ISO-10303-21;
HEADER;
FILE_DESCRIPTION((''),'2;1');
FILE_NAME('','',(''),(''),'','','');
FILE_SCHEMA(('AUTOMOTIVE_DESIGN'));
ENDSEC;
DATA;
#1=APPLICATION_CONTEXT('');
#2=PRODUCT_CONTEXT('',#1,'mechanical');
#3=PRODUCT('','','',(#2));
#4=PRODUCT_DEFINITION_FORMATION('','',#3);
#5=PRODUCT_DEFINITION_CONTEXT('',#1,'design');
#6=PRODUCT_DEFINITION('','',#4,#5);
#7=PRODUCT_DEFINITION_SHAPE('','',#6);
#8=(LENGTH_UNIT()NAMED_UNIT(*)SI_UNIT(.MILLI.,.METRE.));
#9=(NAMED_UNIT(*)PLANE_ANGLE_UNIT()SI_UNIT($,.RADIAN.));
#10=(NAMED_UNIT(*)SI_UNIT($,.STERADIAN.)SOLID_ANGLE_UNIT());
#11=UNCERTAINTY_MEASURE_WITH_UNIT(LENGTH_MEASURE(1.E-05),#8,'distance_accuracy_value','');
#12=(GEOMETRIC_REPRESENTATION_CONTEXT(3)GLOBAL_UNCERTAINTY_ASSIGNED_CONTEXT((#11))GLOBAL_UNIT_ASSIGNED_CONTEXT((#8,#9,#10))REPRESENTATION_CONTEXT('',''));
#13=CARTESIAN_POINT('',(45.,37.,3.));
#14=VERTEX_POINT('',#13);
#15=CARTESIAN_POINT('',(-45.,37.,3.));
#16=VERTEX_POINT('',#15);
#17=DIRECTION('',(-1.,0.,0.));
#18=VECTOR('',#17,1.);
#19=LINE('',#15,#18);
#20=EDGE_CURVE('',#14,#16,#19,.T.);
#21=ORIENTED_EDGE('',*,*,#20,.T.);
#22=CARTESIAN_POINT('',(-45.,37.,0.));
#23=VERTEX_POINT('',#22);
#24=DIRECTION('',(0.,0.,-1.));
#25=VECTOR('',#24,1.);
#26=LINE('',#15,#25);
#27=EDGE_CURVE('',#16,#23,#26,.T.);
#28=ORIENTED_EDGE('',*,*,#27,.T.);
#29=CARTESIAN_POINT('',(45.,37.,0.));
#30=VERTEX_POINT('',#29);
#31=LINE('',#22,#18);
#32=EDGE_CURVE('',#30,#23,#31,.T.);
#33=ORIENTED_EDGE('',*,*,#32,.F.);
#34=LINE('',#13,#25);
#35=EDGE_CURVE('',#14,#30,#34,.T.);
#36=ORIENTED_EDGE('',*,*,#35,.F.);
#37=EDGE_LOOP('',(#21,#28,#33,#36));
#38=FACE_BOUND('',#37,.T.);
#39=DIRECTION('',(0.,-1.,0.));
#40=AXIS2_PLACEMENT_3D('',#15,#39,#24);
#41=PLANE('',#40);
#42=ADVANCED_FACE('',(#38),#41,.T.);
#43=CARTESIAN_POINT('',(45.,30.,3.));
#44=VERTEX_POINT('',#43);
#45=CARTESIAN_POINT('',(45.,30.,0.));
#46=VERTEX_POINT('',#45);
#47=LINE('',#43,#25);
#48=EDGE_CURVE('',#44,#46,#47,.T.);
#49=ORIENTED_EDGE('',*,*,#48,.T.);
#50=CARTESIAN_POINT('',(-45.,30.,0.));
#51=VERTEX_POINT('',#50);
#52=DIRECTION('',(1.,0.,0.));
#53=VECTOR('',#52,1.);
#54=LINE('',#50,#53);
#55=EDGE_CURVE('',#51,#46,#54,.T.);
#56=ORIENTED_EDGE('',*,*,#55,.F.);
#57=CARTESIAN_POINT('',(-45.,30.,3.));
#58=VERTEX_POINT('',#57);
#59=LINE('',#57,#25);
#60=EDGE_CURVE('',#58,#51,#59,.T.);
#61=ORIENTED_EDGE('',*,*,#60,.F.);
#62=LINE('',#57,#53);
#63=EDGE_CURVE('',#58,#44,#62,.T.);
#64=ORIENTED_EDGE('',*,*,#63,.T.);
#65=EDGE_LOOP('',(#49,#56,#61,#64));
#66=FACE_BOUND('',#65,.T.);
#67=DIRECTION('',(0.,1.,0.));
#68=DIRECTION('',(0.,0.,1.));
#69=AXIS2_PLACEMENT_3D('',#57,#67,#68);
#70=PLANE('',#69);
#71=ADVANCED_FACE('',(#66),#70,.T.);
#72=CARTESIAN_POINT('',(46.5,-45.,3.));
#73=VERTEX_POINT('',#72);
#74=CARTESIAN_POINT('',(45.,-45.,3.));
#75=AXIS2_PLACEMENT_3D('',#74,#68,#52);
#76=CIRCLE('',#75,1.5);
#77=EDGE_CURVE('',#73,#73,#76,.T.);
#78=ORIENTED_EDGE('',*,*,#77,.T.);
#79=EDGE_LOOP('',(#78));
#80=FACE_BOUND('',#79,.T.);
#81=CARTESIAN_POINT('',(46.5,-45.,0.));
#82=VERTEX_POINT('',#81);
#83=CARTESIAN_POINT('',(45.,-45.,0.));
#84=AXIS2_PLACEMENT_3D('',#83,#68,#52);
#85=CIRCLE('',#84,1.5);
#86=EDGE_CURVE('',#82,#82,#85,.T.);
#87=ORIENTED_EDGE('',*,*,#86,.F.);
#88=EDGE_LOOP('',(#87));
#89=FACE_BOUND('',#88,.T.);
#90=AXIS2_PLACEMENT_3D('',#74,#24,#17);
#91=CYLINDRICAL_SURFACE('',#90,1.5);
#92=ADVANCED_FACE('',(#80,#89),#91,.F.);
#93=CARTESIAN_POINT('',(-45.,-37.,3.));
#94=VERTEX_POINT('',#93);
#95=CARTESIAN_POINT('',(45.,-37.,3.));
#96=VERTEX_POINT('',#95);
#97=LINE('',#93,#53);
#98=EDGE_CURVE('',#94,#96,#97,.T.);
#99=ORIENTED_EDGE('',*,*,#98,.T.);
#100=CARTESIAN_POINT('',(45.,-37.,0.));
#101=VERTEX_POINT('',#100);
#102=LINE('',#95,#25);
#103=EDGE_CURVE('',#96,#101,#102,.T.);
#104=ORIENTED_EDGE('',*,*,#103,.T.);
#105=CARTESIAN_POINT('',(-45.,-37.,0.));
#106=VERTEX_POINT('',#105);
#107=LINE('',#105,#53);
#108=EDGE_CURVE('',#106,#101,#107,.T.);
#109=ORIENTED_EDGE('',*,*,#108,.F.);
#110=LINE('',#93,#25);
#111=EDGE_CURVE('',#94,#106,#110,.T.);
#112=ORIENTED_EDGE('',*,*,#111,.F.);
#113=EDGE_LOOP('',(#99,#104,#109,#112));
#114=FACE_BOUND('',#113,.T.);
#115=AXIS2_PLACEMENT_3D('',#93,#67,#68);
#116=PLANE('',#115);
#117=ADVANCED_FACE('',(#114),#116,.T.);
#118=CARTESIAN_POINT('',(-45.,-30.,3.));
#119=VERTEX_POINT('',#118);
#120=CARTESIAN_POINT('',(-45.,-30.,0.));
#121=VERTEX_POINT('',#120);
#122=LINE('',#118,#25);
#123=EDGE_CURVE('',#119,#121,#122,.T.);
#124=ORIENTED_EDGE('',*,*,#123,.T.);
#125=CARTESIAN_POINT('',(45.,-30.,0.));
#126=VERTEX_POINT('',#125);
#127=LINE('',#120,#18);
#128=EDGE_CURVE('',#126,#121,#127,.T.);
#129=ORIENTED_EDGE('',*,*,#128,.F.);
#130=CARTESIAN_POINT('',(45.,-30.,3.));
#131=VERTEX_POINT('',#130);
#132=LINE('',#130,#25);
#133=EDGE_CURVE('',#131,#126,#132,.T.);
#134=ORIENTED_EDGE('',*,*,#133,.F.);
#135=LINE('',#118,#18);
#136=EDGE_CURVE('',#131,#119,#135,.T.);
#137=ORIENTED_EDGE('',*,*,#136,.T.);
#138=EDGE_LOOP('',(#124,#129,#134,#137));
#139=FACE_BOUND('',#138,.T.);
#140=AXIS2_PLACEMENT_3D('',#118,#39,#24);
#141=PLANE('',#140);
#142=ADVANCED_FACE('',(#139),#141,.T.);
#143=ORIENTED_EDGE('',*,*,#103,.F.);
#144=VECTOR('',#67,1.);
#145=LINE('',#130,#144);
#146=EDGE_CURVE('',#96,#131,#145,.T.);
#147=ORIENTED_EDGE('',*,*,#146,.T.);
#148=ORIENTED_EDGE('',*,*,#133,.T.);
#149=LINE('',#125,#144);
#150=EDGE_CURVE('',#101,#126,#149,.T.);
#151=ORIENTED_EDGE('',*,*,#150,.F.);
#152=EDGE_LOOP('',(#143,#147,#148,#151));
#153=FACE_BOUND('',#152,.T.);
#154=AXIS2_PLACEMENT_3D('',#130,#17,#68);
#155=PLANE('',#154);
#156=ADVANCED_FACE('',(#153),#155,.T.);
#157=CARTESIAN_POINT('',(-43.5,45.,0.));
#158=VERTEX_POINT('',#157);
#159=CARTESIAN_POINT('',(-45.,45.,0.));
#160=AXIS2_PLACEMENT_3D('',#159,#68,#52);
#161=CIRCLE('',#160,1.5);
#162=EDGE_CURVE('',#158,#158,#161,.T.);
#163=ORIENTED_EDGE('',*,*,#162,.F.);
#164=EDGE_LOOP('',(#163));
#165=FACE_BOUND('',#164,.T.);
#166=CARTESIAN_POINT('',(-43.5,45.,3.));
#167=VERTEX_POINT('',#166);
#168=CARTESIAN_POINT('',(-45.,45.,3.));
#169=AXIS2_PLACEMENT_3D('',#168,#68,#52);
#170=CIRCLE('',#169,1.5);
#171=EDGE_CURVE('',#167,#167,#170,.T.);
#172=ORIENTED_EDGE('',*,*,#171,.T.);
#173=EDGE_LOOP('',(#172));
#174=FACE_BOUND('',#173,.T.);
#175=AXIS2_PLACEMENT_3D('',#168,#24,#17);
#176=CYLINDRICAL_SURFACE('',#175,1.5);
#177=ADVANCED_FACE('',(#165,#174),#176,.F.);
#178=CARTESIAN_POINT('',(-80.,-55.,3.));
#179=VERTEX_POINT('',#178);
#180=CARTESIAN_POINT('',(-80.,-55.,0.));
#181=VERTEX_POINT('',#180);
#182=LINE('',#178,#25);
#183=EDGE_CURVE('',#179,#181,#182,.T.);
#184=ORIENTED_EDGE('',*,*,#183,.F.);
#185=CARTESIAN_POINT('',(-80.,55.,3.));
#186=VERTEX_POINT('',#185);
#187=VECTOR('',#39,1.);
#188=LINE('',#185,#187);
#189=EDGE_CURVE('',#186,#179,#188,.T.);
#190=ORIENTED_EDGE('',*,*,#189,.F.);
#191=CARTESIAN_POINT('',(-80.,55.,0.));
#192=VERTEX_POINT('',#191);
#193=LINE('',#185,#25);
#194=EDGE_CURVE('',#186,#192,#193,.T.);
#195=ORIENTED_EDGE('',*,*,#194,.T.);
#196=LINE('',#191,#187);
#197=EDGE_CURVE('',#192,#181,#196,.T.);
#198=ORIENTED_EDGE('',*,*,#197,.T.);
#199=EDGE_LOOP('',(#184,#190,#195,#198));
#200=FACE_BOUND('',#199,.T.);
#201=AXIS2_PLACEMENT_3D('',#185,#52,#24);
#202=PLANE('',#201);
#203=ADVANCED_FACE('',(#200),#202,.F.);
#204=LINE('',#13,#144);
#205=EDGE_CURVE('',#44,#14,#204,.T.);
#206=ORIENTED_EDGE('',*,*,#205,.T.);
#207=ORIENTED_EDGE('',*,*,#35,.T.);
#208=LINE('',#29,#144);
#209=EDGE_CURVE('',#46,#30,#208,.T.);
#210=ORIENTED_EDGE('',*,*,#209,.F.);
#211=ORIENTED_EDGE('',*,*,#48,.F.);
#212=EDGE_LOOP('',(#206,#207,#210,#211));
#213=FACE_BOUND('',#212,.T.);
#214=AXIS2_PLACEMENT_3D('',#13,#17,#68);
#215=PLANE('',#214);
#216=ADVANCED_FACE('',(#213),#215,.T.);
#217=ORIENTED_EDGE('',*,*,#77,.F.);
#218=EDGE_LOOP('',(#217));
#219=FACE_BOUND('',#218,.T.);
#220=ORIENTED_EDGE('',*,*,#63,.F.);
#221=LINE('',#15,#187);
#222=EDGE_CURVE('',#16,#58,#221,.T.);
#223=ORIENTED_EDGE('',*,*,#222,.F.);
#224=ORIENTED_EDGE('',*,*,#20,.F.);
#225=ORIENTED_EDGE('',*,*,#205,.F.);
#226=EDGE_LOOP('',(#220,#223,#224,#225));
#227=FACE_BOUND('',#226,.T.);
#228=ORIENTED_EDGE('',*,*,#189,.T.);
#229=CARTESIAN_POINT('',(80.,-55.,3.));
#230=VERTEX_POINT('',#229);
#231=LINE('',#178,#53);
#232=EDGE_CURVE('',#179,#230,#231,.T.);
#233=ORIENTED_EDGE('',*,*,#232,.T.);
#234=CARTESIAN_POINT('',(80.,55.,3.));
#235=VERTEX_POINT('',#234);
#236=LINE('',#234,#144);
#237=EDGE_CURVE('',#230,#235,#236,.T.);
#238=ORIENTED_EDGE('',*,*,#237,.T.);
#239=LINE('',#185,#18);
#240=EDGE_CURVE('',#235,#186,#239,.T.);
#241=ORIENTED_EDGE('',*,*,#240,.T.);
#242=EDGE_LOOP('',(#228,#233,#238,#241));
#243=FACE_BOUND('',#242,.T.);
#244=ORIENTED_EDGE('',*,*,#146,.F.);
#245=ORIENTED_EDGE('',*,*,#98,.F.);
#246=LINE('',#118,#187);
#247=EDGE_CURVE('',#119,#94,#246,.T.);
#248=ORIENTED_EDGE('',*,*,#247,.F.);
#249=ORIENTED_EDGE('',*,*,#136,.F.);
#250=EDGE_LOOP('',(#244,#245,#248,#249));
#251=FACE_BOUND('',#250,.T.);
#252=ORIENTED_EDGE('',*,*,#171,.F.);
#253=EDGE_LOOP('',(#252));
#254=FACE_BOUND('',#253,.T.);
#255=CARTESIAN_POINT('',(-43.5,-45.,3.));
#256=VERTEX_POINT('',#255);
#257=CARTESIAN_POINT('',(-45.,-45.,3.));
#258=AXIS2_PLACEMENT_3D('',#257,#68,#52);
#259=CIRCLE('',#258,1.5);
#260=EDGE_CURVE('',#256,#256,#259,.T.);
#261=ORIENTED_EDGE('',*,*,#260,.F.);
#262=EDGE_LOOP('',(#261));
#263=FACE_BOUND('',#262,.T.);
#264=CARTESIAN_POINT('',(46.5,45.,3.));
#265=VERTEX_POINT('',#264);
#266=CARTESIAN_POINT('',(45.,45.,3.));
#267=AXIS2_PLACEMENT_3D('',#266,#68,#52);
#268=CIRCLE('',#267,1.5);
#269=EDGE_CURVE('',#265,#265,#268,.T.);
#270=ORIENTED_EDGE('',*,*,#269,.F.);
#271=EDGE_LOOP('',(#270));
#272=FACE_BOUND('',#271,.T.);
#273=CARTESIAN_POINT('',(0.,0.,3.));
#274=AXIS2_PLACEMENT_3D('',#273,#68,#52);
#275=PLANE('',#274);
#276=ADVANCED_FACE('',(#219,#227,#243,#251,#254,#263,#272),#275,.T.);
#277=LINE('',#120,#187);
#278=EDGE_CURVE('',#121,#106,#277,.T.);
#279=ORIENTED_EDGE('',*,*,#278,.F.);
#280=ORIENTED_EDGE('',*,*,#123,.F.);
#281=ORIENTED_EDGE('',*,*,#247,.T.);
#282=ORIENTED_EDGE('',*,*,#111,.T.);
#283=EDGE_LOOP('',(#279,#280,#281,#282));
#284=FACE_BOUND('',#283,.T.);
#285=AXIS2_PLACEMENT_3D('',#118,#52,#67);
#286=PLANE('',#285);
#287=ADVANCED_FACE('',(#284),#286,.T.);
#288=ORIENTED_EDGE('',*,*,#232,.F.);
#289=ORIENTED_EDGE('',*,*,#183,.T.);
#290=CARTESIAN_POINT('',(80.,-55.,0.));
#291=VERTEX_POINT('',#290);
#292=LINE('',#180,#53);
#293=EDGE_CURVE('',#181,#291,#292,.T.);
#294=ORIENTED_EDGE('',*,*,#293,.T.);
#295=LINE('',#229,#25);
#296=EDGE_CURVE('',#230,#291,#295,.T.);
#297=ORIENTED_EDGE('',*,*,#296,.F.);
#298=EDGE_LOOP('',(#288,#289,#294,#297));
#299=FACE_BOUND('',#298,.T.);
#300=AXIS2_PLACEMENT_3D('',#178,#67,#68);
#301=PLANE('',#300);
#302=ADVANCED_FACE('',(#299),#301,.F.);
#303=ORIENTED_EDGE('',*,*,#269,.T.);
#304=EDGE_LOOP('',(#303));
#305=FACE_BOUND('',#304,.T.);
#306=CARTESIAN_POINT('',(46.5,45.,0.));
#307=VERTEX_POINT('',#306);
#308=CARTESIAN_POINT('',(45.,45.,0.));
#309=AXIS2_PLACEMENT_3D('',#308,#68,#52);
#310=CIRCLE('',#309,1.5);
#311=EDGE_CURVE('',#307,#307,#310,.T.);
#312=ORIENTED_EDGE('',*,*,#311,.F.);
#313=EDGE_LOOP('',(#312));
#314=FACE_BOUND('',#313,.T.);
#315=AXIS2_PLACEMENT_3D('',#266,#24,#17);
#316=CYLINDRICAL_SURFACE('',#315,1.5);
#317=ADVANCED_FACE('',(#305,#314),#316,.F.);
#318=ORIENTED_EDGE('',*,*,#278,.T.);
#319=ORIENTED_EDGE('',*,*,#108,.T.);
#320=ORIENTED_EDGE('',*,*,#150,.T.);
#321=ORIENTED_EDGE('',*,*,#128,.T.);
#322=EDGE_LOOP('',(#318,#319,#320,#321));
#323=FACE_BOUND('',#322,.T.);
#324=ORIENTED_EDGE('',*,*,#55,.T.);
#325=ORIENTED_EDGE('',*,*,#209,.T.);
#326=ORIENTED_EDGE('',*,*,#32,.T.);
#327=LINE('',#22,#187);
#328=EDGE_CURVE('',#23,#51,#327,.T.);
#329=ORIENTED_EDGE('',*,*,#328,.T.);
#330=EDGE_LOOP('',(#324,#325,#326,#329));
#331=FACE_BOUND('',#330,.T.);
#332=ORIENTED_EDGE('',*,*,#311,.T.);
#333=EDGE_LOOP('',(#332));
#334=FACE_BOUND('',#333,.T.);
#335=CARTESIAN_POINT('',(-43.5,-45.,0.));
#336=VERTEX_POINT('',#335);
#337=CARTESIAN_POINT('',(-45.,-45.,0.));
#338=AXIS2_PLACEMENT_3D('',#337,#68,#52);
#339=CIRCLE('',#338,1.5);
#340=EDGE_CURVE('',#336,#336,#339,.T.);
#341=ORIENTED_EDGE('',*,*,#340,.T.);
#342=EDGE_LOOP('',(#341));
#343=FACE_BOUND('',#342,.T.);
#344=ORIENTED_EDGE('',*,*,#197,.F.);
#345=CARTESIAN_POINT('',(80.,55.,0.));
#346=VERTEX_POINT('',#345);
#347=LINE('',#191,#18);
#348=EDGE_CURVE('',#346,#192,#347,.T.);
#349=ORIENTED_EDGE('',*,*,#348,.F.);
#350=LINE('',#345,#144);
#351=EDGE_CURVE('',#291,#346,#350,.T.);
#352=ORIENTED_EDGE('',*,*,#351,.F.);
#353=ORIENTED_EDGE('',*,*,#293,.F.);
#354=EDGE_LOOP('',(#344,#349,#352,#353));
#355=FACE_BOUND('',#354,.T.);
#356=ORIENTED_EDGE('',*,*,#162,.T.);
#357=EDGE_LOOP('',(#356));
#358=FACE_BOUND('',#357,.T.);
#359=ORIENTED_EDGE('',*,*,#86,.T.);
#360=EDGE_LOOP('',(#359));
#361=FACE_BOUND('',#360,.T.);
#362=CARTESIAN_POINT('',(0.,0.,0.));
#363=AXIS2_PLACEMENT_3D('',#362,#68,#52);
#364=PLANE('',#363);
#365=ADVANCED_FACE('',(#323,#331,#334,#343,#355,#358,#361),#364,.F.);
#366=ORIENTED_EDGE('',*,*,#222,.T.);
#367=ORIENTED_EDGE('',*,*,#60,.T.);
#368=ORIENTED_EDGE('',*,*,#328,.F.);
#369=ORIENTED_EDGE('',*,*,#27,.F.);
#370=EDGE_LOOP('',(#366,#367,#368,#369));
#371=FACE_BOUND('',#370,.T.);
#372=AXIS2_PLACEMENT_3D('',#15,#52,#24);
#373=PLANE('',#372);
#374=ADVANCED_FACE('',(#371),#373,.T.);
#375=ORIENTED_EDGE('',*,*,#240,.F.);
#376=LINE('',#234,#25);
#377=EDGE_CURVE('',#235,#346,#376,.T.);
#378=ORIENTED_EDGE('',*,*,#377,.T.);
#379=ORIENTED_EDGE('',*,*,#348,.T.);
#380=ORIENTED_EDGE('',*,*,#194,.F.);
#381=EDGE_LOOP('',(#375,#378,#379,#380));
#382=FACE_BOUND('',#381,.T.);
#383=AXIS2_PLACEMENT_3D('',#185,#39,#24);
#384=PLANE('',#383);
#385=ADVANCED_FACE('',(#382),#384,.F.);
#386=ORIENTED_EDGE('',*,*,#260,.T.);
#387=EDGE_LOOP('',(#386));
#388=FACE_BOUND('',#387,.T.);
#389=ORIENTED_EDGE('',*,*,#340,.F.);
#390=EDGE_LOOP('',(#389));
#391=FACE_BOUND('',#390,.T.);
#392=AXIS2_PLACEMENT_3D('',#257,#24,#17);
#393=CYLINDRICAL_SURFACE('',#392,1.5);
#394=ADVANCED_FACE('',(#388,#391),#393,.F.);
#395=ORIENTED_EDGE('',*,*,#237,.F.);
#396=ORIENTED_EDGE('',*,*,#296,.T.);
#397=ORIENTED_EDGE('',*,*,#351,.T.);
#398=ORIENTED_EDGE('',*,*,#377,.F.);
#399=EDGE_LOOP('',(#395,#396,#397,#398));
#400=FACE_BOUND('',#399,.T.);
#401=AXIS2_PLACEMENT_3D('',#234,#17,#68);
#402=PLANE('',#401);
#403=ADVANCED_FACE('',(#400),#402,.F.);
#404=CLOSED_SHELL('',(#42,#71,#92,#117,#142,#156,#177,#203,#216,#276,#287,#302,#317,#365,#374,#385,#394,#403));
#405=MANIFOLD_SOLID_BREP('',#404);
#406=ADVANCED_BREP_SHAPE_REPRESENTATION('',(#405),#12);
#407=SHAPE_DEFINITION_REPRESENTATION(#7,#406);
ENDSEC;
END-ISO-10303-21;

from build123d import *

# Parameters (mm, degrees)
SKETCH1_W           = 160
SKETCH1_H           = 110
SKETCH1_R           = 1.5
SKETCH1_W_2         = 90
SKETCH1_H_2         = 7
BOSS_EXTRUDE1_DEPTH = 3


with BuildPart() as part:
    # Sketch1 → Boss-Extrude1 (new body)
    with BuildSketch(Plane.XY):
        Rectangle(SKETCH1_W, SKETCH1_H)
        with Locations((45, 45)):
            Circle(SKETCH1_R, mode=Mode.SUBTRACT)
        with Locations((-45, 45)):
            Circle(SKETCH1_R, mode=Mode.SUBTRACT)
        with Locations((-45, -45)):
            Circle(SKETCH1_R, mode=Mode.SUBTRACT)
        with Locations((45, -45)):
            Circle(SKETCH1_R, mode=Mode.SUBTRACT)
        with Locations((0, 33.5)):
            Rectangle(SKETCH1_W_2, SKETCH1_H_2, mode=Mode.SUBTRACT)
        with Locations((0, -33.5)):
            Rectangle(SKETCH1_W_2, SKETCH1_H_2, mode=Mode.SUBTRACT)
    extrude(amount=BOSS_EXTRUDE1_DEPTH)


solid = part.part
